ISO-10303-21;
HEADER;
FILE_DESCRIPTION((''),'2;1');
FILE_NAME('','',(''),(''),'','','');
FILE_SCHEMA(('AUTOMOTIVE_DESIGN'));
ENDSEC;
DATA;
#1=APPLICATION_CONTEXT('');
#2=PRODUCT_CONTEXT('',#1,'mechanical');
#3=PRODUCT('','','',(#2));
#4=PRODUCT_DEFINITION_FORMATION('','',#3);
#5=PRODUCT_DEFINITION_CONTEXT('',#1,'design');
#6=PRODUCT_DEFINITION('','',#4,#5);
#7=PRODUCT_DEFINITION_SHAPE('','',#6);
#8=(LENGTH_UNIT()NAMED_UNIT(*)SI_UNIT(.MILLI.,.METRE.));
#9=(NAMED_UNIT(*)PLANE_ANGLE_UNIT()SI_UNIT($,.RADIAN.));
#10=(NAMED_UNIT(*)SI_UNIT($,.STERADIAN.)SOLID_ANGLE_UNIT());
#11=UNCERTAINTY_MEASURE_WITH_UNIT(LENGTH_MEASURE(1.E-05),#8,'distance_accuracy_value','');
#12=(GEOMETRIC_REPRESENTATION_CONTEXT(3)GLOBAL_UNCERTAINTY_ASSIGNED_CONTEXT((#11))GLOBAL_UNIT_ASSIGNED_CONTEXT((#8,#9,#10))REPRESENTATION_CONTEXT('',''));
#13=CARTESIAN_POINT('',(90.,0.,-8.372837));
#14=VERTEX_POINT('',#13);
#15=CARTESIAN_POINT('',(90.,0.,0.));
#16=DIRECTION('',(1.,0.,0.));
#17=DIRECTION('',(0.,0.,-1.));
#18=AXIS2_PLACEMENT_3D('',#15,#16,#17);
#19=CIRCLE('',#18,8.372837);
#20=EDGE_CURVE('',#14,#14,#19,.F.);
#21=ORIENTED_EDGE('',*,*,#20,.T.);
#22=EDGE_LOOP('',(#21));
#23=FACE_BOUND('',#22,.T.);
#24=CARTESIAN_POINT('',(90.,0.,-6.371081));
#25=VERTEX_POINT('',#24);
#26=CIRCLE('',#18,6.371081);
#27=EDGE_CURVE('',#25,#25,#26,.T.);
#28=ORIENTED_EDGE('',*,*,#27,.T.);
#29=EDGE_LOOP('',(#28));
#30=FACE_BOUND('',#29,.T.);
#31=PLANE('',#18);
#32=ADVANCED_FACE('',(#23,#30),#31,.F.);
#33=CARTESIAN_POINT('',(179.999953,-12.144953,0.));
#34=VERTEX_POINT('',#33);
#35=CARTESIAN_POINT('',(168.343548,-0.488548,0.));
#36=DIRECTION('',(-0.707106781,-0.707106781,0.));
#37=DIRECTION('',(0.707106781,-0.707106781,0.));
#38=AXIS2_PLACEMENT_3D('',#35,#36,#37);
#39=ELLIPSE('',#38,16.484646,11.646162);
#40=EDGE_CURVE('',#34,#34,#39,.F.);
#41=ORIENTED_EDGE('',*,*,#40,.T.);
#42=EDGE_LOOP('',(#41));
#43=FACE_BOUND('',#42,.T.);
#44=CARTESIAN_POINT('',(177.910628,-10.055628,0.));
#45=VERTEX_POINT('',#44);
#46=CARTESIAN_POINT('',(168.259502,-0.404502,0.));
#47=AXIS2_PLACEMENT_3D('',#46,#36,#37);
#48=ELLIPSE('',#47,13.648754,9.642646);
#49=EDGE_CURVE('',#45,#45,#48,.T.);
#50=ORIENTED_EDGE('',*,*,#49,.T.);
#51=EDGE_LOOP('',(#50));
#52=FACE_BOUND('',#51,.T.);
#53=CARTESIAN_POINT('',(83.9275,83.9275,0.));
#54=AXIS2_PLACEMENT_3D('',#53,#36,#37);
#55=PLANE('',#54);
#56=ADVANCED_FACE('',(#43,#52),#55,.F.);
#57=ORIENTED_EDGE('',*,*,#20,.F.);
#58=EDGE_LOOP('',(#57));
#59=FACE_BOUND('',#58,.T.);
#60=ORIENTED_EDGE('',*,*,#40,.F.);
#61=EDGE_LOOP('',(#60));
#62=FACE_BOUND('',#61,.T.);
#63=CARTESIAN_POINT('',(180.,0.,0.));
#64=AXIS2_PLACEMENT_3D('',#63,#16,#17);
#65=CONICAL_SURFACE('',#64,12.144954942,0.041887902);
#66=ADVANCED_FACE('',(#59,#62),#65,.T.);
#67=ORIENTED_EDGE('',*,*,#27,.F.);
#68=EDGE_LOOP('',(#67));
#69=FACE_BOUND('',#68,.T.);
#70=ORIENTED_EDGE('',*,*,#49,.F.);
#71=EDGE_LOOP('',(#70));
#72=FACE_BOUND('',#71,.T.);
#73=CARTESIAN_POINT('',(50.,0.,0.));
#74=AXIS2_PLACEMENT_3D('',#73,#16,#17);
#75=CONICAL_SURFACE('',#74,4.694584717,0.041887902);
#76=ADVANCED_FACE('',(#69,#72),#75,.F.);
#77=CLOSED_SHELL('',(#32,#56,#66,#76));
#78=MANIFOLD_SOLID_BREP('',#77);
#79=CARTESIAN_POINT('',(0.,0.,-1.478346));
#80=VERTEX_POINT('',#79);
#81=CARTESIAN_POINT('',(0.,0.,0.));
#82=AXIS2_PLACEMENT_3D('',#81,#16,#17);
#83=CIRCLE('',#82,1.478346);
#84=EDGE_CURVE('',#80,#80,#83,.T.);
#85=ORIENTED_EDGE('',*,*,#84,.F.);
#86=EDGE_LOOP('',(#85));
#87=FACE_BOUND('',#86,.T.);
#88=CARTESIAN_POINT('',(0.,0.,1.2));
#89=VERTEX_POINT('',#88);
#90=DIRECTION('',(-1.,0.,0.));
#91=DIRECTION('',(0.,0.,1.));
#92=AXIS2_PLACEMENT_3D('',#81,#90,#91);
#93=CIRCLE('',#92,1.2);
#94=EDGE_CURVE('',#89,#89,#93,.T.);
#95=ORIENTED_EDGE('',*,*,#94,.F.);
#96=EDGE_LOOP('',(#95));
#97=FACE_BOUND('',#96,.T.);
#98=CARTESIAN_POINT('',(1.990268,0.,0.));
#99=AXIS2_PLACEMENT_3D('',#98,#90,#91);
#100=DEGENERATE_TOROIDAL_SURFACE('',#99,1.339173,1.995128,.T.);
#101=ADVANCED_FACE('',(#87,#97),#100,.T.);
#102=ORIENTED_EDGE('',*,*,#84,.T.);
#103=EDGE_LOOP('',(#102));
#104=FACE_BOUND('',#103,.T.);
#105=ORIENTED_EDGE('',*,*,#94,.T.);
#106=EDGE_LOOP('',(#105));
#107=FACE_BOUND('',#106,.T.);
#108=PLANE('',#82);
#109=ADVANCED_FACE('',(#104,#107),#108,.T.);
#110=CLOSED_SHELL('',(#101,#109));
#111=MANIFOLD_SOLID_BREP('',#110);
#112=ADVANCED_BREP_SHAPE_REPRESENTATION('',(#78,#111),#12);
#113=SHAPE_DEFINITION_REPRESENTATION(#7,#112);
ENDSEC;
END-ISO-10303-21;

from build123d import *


with BuildPart() as part:
    # Sketch2 → Revolve2 (revolve)
    with BuildSketch(Plane.XY, mode=Mode.PRIVATE) as revolve2_sk:
        with BuildLine():
            Line((0, 1.2), (50, 4.696340597))
            Line((50, 4.696340597), (50, 6.696340597))
            Line((50, 6.696340597), (1.851094968, 3.32944117))
            ThreePointArc((1.851094968, 3.32944117), (0.484525778, 2.648094905), (0, 1.2))
        make_face()
    revolve(revolve2_sk.sketch.rotate(Axis((-19.275847123, 0, 0), (1, 0, 0)), 90), axis=Axis((-19.275847123, 0, 0), (1, 0, 0)))

    # SurfaceCut9
    split(bisect_by=Plane(origin=(0, 0, 0), x_dir=(0, 0, -1), z_dir=(1, 0, 0)), keep=Keep.BOTTOM)


with BuildPart() as body_2:
    # Sketch3 → Revolve3 (revolve)
    with BuildSketch(Plane.XY, mode=Mode.PRIVATE) as revolve3_sk:
        Polygon((50, 4.694584717), (180, 10.143199062), (180, 12.144954942), (50, 6.696340597), align=None)
    revolve(revolve3_sk.sketch.rotate(Axis((50, 0, 0), (-1, 0, 0)), 90), axis=Axis((50, 0, 0), (-1, 0, 0)))

    # SurfaceCut12
    split(bisect_by=Plane(origin=(90, 0, 0), x_dir=(0, 0, -1), z_dir=(1, 0, 0)), keep=Keep.TOP)

    # SurfaceCut13
    split(bisect_by=Plane(origin=(83.9275, 83.9275, 0), x_dir=(0, 0, 1), z_dir=(-0.7071067811865512, -0.7071067811865438, 0)), keep=Keep.TOP)


solid = Compound([part.part, body_2.part])
